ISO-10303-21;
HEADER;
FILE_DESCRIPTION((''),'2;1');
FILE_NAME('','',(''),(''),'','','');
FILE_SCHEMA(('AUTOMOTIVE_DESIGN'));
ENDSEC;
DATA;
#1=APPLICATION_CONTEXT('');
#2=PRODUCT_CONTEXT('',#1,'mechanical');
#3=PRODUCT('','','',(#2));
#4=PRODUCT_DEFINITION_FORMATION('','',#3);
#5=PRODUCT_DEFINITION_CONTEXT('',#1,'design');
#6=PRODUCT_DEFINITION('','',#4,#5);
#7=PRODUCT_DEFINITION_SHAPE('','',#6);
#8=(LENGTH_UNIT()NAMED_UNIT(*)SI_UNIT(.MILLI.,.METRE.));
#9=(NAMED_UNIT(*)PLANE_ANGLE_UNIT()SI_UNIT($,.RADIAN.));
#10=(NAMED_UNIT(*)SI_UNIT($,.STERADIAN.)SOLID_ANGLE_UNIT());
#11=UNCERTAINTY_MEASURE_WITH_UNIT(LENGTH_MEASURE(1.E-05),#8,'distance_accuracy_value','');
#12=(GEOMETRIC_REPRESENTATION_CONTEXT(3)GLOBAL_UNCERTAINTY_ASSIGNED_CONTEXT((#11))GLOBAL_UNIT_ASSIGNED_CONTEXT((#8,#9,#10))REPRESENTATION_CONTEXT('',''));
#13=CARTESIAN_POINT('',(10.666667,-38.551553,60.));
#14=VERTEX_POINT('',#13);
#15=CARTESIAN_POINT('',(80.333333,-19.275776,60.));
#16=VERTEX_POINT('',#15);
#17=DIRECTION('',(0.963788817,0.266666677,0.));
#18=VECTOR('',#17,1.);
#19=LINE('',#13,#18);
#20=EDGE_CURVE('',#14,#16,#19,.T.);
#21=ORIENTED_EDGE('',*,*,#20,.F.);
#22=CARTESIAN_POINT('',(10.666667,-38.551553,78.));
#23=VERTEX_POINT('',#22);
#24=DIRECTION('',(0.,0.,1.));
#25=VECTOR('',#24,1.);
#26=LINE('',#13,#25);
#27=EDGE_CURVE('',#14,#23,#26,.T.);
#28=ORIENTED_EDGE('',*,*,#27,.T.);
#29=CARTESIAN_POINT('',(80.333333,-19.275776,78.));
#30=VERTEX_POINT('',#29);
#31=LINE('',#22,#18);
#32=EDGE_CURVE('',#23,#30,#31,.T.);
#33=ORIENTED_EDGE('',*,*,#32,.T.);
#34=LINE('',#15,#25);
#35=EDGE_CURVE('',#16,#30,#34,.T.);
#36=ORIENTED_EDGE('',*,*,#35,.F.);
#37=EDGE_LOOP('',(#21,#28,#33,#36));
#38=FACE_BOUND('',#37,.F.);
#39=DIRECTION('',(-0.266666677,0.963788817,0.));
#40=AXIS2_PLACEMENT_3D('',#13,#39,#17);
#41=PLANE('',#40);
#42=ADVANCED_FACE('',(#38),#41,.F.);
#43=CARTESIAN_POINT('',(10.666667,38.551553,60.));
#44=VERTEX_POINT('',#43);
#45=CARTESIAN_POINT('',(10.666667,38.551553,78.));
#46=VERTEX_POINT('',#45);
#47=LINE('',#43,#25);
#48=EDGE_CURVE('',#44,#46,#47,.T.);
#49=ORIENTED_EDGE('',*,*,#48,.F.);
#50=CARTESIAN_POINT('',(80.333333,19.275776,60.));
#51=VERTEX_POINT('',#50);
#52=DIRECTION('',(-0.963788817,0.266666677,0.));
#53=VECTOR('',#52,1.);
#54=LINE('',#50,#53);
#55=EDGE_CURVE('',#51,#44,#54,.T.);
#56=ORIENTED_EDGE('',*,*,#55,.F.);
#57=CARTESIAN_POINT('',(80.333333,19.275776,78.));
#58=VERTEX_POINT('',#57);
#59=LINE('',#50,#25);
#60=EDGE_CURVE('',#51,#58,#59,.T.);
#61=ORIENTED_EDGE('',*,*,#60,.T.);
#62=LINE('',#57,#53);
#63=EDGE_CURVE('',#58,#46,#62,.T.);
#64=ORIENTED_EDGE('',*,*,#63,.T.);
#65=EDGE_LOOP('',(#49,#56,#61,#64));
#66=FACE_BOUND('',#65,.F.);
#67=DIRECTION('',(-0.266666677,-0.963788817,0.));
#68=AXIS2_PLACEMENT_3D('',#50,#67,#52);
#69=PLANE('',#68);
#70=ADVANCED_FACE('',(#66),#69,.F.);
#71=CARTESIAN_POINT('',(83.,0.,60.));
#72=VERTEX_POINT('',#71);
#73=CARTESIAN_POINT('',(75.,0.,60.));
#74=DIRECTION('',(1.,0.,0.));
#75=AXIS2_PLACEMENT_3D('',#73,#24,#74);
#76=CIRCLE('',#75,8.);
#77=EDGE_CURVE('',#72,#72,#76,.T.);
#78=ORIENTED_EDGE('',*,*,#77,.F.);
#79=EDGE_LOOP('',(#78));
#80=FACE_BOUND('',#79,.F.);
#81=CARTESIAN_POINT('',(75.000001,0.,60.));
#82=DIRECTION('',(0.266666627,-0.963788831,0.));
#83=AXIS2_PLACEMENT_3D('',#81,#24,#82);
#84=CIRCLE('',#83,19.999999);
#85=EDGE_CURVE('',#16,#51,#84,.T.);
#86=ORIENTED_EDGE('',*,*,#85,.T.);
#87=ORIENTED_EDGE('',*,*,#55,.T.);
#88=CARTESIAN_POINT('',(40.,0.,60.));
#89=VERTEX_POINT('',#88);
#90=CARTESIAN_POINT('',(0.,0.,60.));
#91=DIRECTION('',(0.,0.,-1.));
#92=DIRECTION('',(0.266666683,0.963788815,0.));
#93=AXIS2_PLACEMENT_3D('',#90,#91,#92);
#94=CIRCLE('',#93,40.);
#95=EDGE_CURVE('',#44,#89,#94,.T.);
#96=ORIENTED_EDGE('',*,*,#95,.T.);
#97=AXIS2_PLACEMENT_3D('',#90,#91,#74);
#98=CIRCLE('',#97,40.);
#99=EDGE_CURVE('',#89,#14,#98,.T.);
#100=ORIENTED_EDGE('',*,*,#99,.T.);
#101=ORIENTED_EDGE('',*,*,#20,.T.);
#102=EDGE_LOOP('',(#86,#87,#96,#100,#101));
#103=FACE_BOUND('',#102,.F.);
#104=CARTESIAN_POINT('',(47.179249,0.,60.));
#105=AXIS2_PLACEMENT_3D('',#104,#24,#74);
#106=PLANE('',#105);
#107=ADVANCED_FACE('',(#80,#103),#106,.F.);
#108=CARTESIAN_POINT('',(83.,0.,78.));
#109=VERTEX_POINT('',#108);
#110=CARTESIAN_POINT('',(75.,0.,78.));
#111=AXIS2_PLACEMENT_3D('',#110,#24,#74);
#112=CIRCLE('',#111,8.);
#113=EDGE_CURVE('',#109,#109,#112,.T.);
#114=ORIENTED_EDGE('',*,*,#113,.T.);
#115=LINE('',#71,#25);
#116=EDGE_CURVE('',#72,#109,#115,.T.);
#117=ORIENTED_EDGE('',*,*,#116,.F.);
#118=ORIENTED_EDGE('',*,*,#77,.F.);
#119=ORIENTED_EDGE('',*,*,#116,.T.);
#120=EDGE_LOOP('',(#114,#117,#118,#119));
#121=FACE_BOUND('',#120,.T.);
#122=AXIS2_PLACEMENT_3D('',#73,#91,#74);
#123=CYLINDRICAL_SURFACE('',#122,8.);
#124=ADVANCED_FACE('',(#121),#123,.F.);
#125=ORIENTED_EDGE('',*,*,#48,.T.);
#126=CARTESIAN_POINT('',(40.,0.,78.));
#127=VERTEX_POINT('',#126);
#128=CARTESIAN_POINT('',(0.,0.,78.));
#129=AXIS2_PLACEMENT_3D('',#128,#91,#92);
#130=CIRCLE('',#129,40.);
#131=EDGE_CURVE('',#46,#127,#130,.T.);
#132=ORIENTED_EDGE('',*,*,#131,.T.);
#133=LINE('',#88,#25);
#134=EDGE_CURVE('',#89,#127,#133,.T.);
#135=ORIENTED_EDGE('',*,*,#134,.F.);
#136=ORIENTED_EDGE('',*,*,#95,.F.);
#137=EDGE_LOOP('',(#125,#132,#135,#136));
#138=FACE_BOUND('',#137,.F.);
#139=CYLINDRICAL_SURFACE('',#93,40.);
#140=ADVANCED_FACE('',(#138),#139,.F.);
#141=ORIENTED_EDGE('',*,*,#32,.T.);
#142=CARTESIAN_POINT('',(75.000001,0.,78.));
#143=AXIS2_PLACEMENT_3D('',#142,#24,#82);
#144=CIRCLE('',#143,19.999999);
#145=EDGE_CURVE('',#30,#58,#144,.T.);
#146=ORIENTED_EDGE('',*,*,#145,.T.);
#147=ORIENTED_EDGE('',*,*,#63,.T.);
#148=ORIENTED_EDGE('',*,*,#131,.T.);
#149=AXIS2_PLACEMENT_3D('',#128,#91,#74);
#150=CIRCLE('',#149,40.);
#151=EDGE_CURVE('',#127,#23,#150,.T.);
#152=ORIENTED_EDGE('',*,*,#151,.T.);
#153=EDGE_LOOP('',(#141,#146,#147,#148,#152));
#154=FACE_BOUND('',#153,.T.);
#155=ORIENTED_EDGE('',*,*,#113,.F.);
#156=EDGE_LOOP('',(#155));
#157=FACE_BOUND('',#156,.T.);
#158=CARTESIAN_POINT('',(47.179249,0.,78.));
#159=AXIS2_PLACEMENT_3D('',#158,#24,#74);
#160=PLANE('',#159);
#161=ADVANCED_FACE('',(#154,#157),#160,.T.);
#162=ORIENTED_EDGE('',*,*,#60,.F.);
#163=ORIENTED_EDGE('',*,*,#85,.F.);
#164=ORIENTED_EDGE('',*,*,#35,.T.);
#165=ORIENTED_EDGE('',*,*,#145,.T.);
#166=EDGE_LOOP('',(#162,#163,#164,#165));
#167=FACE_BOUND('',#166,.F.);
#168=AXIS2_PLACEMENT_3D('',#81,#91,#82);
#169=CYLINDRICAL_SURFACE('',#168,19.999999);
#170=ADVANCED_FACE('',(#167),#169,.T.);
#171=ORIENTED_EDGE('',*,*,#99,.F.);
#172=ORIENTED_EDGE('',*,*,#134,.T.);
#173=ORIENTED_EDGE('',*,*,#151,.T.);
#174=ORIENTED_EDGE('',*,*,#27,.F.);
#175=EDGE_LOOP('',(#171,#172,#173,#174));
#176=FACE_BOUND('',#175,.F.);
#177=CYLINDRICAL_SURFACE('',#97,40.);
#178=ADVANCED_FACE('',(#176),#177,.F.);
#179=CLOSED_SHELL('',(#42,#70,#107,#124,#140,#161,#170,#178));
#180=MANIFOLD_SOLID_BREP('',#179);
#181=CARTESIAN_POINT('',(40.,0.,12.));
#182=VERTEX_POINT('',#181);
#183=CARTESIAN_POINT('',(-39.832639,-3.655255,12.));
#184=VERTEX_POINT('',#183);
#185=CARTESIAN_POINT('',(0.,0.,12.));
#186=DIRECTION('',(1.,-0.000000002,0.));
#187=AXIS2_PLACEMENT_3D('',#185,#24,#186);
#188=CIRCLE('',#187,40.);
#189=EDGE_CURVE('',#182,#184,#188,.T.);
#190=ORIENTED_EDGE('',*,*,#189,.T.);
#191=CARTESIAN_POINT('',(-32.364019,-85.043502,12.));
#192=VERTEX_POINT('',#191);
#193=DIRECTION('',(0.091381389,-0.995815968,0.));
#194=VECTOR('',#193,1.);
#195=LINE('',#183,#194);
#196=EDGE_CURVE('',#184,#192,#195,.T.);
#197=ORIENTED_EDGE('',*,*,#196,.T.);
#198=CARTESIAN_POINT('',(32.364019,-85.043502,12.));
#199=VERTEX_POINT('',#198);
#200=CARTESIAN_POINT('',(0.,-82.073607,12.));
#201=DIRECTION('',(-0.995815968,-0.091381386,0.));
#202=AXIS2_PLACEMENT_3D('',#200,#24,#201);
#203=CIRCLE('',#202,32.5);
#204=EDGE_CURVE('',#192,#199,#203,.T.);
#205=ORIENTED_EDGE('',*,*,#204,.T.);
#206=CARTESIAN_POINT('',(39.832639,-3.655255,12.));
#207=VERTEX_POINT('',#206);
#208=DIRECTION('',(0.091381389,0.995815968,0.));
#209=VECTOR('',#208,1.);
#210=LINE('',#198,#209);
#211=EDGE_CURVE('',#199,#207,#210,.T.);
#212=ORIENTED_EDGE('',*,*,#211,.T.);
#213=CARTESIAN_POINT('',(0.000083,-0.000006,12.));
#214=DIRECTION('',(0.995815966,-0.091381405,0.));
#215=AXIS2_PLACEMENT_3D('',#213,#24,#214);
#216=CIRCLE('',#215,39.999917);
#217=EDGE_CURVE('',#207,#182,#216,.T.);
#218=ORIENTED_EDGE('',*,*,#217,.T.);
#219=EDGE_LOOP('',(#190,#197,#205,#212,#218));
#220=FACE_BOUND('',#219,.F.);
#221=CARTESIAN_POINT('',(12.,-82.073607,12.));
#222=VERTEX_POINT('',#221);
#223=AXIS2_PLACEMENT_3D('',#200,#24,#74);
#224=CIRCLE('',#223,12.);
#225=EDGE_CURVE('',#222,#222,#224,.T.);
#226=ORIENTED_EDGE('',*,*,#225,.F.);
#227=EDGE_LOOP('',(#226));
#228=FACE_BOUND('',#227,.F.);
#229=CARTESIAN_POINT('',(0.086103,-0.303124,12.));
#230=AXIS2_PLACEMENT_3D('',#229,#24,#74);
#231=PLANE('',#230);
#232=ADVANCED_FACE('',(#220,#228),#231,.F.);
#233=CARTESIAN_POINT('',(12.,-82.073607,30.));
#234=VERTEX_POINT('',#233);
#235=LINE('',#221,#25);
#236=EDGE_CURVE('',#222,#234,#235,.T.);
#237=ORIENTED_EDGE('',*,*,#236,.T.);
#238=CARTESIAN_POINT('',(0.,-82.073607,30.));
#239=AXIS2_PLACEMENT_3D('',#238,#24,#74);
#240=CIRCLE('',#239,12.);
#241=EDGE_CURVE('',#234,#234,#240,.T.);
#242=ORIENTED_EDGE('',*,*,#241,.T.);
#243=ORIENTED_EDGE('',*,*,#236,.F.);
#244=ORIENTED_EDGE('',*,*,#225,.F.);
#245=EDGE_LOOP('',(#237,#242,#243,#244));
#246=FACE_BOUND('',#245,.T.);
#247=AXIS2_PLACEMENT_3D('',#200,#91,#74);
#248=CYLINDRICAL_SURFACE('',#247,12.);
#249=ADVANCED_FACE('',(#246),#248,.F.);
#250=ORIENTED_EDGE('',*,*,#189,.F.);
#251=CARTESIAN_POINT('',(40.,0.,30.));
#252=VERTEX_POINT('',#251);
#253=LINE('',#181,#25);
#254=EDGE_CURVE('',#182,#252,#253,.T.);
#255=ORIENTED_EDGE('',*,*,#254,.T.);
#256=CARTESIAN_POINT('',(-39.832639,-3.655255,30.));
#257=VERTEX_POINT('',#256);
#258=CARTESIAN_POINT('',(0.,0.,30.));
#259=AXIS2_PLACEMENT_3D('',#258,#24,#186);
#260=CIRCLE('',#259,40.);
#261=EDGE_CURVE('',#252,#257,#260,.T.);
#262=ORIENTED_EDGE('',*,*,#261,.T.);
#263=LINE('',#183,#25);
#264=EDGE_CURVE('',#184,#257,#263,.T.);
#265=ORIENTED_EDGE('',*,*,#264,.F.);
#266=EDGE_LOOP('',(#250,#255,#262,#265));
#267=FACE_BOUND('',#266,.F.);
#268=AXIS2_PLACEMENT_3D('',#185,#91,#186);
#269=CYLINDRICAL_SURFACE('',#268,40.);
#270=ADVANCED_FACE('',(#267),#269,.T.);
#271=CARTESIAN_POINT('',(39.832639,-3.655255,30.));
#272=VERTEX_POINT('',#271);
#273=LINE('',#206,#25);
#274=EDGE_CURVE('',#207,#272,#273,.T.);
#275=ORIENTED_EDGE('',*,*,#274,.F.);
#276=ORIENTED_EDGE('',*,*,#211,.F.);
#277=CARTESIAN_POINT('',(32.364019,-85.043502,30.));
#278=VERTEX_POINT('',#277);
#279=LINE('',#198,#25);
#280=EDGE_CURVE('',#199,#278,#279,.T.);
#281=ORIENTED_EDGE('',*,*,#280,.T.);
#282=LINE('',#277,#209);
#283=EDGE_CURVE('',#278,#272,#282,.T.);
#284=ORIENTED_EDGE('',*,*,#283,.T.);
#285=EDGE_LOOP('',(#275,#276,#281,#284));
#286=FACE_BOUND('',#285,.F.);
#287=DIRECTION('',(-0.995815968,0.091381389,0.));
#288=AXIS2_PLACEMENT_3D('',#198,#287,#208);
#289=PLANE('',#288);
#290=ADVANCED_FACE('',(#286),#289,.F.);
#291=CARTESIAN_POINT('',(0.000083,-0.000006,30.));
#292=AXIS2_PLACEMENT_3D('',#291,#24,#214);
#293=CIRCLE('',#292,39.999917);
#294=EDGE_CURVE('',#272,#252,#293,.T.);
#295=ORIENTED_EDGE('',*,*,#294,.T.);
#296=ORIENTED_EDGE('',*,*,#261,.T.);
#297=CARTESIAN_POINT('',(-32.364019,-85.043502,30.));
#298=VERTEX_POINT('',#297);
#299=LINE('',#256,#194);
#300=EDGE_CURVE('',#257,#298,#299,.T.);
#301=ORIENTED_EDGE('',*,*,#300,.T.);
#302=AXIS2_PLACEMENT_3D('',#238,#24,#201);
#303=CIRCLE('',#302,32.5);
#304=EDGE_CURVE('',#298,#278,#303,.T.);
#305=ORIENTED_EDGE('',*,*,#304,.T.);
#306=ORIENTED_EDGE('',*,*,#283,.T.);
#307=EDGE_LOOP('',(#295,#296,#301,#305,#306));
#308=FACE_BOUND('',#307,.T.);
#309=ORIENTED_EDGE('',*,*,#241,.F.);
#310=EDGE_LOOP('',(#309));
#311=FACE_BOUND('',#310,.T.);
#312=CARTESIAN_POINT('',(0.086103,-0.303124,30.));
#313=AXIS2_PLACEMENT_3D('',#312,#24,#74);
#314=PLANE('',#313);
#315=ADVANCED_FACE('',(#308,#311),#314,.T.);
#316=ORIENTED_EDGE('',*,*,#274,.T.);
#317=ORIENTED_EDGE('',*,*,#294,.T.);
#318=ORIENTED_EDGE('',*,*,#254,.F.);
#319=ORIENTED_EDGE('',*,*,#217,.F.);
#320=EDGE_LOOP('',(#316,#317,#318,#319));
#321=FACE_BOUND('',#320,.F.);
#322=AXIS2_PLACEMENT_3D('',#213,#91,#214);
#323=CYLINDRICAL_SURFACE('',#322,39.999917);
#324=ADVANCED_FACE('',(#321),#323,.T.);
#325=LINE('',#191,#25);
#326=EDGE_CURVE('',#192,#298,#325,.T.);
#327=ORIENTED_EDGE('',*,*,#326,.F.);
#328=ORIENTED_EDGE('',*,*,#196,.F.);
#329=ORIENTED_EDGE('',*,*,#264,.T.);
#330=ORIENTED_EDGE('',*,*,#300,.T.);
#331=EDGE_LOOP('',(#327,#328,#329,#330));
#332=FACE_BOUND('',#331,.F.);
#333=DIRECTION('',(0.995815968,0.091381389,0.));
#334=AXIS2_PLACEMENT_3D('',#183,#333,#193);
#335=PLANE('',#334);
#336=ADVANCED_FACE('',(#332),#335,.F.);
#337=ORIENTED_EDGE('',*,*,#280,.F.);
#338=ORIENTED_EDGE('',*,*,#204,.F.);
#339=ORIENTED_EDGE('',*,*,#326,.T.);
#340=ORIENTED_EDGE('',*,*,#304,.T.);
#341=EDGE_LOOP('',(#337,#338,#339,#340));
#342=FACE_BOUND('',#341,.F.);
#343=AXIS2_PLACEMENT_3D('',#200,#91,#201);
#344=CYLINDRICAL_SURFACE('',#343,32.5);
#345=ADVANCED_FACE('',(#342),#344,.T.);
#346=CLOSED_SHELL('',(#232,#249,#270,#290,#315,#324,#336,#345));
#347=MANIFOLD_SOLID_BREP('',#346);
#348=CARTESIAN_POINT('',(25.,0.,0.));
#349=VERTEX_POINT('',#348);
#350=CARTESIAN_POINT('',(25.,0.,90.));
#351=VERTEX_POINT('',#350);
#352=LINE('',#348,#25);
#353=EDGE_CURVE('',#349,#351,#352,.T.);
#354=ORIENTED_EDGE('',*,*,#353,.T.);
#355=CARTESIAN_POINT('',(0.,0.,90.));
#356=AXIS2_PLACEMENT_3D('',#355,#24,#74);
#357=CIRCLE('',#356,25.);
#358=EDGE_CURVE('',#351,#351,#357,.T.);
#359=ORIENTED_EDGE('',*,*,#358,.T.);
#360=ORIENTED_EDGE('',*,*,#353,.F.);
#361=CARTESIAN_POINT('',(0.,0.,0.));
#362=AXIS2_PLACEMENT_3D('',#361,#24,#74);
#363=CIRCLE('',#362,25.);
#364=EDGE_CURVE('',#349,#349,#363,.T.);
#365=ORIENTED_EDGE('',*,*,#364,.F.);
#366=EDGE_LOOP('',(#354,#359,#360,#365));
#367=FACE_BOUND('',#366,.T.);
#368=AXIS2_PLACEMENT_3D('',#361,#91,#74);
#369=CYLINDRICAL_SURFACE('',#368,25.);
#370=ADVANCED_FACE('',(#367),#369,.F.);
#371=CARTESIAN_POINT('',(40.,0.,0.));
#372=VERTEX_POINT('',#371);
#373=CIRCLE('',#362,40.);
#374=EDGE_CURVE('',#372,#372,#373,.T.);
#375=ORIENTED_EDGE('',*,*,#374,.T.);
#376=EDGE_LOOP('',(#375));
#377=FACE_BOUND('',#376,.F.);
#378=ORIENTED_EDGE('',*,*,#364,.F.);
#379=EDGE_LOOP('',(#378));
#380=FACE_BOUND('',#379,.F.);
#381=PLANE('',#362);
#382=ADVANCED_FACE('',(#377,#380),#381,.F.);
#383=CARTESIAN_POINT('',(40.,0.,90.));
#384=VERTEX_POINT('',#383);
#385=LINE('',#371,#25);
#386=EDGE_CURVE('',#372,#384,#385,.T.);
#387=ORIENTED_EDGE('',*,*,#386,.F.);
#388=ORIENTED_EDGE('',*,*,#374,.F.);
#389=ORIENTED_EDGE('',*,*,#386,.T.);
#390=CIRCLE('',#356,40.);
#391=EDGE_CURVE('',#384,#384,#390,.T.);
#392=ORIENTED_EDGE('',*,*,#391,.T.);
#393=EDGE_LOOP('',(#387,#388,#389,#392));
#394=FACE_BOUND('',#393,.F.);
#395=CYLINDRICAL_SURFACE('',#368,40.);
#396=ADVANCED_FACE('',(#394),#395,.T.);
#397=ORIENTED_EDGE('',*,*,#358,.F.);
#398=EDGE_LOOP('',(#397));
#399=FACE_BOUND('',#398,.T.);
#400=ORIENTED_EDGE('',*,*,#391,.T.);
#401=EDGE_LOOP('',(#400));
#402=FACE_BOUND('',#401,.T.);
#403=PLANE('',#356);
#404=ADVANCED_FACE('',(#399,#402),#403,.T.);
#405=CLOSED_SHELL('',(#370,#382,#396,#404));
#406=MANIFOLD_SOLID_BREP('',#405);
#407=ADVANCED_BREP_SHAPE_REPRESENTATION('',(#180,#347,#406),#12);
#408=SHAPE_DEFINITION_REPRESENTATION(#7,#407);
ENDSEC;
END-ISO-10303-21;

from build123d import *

# Parameters (mm, degrees)
F0_R     = 40
F0_R_2   = 25
F1_DEPTH = 90
F2_R     = 8
F3_DEPTH = 18
F5_R     = 12
F6_DEPTH = 18


with BuildPart() as f1:
    # F0 (on Top) → F1 (new body)
    with BuildSketch(Plane.XY):
        Circle(F0_R)
        Circle(F0_R_2, mode=Mode.SUBTRACT)
    extrude(amount=F1_DEPTH)


with BuildPart() as f3:
    # F2 (on Top) → F3 (new body)
    with BuildSketch(Plane.XY):
        with BuildLine():
            Line((10.666667, -38.551553), (80.333333, -19.275776))
            ThreePointArc((80.333333, -19.275776), (95, 0), (80.333333, 19.275776))
            Line((80.333333, 19.275776), (10.666667, 38.551553))
            ThreePointArc((10.666667, 38.551553), (31.832897, 24.221203), (40, 0))
            ThreePointArc((40, 0), (31.832897, -24.221203), (10.666667, -38.551553))
        make_face()
        with Locations((75, 0)):
            Circle(F2_R, mode=Mode.SUBTRACT)
    extrude(amount=F3_DEPTH)


with BuildPart() as f3_1:
    # F4: moved
    add(f3.part.moved(Location((0, 0, 60))))


with BuildPart() as f6:
    # F5 (on Top) → F6 (new body)
    with BuildSketch(Plane.XY):
        with BuildLine():
            ThreePointArc((39.832639, -3.655255), (39.958138, -1.829542), (40, 0))
            ThreePointArc((40, 0), (-1.829542, 39.958138), (-39.832639, -3.655255))
            ThreePointArc((-39.832639, -3.655255), (0, -40), (39.832639, -3.655255))
        make_face()
        with BuildLine():
            ThreePointArc((39.832639, -3.655255), (0, -40), (-39.832639, -3.655255))
            Line((-39.832639, -3.655255), (-32.364019, -85.043502))
            ThreePointArc((-32.364019, -85.043502), (0, -114.573607), (32.364019, -85.043502))
            Line((32.364019, -85.043502), (39.832639, -3.655255))
        make_face()
        with Locations((0, -82.073607)):
            Circle(F5_R, mode=Mode.SUBTRACT)
    extrude(amount=F6_DEPTH)


with BuildPart() as f6_1:
    # F7: moved
    add(f6.part.moved(Location((0, 0, 12))))


solid = Compound([f1.part, f3_1.part, f6_1.part])
